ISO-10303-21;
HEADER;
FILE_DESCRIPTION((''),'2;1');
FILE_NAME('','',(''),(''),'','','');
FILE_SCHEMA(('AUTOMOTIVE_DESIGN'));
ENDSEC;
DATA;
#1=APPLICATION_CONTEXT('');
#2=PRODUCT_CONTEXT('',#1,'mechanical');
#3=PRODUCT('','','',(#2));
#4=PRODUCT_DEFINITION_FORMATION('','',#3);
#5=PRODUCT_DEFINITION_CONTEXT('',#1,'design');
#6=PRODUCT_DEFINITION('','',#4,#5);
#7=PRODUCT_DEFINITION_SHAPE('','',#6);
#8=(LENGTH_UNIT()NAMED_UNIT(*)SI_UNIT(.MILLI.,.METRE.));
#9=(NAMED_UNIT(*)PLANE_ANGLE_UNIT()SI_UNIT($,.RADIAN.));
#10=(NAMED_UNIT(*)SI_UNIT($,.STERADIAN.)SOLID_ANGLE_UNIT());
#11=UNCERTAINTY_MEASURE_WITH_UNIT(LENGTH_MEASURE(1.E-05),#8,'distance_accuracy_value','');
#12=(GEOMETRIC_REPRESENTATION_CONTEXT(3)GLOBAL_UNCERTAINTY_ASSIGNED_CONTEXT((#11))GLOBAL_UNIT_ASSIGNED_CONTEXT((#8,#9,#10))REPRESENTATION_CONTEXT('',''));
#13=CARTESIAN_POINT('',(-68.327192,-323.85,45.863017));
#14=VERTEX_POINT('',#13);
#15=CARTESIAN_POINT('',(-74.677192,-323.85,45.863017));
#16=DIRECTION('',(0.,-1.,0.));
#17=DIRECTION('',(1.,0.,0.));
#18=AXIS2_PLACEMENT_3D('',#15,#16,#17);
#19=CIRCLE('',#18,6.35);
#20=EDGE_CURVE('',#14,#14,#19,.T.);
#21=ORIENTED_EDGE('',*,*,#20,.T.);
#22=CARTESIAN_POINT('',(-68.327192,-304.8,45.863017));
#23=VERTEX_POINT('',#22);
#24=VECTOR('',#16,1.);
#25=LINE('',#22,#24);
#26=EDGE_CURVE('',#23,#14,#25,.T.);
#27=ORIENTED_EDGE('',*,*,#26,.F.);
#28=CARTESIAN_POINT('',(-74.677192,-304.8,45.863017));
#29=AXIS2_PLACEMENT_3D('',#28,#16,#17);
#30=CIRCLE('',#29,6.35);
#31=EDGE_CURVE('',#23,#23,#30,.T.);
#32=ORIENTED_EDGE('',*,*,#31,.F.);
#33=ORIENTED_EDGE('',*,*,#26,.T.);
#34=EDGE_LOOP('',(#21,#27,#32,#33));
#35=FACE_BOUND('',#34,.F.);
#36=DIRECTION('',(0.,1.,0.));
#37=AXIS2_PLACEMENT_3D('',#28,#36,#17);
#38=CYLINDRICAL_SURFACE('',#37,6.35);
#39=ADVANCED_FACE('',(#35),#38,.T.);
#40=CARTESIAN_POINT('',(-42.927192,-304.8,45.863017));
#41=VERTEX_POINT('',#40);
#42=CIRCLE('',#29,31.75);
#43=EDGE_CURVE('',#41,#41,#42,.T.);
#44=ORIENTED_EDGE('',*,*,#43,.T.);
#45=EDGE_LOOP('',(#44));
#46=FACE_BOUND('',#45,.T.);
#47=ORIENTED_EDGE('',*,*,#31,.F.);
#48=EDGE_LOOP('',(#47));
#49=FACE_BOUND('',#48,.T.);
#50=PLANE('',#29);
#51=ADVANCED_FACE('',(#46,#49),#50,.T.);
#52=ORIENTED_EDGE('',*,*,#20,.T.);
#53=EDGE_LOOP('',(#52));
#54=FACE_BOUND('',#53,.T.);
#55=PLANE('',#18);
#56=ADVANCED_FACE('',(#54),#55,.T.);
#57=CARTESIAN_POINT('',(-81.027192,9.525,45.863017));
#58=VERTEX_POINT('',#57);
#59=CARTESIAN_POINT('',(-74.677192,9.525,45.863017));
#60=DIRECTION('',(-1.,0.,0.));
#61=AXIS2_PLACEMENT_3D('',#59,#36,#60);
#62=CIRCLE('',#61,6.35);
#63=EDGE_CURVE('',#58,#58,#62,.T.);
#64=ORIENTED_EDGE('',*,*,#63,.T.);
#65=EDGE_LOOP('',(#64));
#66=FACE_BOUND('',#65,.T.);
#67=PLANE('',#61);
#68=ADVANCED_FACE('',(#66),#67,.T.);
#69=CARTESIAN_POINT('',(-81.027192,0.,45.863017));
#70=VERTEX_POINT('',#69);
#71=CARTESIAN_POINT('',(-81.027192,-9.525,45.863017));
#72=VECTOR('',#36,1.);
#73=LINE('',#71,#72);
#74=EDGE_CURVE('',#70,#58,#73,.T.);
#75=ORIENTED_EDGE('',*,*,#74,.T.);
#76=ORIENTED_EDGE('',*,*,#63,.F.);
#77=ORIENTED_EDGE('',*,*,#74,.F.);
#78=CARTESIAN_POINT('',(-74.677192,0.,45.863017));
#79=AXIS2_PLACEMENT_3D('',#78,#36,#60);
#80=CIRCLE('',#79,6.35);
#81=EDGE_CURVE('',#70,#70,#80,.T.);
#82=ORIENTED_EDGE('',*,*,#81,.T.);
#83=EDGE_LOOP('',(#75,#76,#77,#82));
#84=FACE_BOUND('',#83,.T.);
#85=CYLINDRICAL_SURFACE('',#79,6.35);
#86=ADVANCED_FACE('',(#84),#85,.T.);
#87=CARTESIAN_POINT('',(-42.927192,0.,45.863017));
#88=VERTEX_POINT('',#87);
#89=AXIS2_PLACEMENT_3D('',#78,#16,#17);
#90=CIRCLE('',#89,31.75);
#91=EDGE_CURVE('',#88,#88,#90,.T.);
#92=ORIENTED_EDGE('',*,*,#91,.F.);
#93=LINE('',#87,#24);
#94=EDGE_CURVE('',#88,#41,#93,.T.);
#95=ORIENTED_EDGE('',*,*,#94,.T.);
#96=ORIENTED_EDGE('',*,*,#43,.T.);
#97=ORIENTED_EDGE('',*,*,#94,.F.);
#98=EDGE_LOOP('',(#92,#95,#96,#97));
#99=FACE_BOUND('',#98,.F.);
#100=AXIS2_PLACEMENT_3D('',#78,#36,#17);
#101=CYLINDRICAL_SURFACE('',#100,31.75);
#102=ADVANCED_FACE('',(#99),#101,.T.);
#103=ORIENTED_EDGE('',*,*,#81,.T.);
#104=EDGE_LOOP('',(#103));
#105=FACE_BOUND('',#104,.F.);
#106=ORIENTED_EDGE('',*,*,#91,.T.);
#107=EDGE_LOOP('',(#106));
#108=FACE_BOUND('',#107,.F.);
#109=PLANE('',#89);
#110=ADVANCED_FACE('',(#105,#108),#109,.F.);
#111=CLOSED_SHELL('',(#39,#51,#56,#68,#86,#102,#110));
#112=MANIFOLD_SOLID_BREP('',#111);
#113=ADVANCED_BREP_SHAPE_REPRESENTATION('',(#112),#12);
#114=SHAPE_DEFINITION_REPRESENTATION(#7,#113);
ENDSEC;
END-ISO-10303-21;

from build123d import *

# Parameters (mm, degrees)
F0_R     = 31.75
F1_DEPTH = 304.8
F2_R     = 6.35
F3_DEPTH = 9.525
F4_R     = 6.35
F5_DEPTH = 19.05


with BuildPart() as f1:
    # F0 (on Front) → F1 (new body)
    with BuildSketch(Plane.XZ):
        with Locations((-74.6771916747, 45.8630174398)):
            Circle(F0_R)
    extrude(amount=F1_DEPTH)

    # F2 (on face) → F3 (join, symmetric)
    with BuildSketch(Plane(origin=(0, 0, 0), x_dir=(-1, 0, 0), z_dir=(0, 1, 0))):
        with Locations((74.6771916747, 45.8630174398)):
            Circle(F2_R)
    extrude(amount=F3_DEPTH, both=True)

    # F4 (on face) → F5 (join)
    with BuildSketch(Plane.XZ.offset(304.8)):
        with Locations((-74.6771916747, 45.8630174398)):
            Circle(F4_R)
    extrude(amount=F5_DEPTH)


solid = f1.part
